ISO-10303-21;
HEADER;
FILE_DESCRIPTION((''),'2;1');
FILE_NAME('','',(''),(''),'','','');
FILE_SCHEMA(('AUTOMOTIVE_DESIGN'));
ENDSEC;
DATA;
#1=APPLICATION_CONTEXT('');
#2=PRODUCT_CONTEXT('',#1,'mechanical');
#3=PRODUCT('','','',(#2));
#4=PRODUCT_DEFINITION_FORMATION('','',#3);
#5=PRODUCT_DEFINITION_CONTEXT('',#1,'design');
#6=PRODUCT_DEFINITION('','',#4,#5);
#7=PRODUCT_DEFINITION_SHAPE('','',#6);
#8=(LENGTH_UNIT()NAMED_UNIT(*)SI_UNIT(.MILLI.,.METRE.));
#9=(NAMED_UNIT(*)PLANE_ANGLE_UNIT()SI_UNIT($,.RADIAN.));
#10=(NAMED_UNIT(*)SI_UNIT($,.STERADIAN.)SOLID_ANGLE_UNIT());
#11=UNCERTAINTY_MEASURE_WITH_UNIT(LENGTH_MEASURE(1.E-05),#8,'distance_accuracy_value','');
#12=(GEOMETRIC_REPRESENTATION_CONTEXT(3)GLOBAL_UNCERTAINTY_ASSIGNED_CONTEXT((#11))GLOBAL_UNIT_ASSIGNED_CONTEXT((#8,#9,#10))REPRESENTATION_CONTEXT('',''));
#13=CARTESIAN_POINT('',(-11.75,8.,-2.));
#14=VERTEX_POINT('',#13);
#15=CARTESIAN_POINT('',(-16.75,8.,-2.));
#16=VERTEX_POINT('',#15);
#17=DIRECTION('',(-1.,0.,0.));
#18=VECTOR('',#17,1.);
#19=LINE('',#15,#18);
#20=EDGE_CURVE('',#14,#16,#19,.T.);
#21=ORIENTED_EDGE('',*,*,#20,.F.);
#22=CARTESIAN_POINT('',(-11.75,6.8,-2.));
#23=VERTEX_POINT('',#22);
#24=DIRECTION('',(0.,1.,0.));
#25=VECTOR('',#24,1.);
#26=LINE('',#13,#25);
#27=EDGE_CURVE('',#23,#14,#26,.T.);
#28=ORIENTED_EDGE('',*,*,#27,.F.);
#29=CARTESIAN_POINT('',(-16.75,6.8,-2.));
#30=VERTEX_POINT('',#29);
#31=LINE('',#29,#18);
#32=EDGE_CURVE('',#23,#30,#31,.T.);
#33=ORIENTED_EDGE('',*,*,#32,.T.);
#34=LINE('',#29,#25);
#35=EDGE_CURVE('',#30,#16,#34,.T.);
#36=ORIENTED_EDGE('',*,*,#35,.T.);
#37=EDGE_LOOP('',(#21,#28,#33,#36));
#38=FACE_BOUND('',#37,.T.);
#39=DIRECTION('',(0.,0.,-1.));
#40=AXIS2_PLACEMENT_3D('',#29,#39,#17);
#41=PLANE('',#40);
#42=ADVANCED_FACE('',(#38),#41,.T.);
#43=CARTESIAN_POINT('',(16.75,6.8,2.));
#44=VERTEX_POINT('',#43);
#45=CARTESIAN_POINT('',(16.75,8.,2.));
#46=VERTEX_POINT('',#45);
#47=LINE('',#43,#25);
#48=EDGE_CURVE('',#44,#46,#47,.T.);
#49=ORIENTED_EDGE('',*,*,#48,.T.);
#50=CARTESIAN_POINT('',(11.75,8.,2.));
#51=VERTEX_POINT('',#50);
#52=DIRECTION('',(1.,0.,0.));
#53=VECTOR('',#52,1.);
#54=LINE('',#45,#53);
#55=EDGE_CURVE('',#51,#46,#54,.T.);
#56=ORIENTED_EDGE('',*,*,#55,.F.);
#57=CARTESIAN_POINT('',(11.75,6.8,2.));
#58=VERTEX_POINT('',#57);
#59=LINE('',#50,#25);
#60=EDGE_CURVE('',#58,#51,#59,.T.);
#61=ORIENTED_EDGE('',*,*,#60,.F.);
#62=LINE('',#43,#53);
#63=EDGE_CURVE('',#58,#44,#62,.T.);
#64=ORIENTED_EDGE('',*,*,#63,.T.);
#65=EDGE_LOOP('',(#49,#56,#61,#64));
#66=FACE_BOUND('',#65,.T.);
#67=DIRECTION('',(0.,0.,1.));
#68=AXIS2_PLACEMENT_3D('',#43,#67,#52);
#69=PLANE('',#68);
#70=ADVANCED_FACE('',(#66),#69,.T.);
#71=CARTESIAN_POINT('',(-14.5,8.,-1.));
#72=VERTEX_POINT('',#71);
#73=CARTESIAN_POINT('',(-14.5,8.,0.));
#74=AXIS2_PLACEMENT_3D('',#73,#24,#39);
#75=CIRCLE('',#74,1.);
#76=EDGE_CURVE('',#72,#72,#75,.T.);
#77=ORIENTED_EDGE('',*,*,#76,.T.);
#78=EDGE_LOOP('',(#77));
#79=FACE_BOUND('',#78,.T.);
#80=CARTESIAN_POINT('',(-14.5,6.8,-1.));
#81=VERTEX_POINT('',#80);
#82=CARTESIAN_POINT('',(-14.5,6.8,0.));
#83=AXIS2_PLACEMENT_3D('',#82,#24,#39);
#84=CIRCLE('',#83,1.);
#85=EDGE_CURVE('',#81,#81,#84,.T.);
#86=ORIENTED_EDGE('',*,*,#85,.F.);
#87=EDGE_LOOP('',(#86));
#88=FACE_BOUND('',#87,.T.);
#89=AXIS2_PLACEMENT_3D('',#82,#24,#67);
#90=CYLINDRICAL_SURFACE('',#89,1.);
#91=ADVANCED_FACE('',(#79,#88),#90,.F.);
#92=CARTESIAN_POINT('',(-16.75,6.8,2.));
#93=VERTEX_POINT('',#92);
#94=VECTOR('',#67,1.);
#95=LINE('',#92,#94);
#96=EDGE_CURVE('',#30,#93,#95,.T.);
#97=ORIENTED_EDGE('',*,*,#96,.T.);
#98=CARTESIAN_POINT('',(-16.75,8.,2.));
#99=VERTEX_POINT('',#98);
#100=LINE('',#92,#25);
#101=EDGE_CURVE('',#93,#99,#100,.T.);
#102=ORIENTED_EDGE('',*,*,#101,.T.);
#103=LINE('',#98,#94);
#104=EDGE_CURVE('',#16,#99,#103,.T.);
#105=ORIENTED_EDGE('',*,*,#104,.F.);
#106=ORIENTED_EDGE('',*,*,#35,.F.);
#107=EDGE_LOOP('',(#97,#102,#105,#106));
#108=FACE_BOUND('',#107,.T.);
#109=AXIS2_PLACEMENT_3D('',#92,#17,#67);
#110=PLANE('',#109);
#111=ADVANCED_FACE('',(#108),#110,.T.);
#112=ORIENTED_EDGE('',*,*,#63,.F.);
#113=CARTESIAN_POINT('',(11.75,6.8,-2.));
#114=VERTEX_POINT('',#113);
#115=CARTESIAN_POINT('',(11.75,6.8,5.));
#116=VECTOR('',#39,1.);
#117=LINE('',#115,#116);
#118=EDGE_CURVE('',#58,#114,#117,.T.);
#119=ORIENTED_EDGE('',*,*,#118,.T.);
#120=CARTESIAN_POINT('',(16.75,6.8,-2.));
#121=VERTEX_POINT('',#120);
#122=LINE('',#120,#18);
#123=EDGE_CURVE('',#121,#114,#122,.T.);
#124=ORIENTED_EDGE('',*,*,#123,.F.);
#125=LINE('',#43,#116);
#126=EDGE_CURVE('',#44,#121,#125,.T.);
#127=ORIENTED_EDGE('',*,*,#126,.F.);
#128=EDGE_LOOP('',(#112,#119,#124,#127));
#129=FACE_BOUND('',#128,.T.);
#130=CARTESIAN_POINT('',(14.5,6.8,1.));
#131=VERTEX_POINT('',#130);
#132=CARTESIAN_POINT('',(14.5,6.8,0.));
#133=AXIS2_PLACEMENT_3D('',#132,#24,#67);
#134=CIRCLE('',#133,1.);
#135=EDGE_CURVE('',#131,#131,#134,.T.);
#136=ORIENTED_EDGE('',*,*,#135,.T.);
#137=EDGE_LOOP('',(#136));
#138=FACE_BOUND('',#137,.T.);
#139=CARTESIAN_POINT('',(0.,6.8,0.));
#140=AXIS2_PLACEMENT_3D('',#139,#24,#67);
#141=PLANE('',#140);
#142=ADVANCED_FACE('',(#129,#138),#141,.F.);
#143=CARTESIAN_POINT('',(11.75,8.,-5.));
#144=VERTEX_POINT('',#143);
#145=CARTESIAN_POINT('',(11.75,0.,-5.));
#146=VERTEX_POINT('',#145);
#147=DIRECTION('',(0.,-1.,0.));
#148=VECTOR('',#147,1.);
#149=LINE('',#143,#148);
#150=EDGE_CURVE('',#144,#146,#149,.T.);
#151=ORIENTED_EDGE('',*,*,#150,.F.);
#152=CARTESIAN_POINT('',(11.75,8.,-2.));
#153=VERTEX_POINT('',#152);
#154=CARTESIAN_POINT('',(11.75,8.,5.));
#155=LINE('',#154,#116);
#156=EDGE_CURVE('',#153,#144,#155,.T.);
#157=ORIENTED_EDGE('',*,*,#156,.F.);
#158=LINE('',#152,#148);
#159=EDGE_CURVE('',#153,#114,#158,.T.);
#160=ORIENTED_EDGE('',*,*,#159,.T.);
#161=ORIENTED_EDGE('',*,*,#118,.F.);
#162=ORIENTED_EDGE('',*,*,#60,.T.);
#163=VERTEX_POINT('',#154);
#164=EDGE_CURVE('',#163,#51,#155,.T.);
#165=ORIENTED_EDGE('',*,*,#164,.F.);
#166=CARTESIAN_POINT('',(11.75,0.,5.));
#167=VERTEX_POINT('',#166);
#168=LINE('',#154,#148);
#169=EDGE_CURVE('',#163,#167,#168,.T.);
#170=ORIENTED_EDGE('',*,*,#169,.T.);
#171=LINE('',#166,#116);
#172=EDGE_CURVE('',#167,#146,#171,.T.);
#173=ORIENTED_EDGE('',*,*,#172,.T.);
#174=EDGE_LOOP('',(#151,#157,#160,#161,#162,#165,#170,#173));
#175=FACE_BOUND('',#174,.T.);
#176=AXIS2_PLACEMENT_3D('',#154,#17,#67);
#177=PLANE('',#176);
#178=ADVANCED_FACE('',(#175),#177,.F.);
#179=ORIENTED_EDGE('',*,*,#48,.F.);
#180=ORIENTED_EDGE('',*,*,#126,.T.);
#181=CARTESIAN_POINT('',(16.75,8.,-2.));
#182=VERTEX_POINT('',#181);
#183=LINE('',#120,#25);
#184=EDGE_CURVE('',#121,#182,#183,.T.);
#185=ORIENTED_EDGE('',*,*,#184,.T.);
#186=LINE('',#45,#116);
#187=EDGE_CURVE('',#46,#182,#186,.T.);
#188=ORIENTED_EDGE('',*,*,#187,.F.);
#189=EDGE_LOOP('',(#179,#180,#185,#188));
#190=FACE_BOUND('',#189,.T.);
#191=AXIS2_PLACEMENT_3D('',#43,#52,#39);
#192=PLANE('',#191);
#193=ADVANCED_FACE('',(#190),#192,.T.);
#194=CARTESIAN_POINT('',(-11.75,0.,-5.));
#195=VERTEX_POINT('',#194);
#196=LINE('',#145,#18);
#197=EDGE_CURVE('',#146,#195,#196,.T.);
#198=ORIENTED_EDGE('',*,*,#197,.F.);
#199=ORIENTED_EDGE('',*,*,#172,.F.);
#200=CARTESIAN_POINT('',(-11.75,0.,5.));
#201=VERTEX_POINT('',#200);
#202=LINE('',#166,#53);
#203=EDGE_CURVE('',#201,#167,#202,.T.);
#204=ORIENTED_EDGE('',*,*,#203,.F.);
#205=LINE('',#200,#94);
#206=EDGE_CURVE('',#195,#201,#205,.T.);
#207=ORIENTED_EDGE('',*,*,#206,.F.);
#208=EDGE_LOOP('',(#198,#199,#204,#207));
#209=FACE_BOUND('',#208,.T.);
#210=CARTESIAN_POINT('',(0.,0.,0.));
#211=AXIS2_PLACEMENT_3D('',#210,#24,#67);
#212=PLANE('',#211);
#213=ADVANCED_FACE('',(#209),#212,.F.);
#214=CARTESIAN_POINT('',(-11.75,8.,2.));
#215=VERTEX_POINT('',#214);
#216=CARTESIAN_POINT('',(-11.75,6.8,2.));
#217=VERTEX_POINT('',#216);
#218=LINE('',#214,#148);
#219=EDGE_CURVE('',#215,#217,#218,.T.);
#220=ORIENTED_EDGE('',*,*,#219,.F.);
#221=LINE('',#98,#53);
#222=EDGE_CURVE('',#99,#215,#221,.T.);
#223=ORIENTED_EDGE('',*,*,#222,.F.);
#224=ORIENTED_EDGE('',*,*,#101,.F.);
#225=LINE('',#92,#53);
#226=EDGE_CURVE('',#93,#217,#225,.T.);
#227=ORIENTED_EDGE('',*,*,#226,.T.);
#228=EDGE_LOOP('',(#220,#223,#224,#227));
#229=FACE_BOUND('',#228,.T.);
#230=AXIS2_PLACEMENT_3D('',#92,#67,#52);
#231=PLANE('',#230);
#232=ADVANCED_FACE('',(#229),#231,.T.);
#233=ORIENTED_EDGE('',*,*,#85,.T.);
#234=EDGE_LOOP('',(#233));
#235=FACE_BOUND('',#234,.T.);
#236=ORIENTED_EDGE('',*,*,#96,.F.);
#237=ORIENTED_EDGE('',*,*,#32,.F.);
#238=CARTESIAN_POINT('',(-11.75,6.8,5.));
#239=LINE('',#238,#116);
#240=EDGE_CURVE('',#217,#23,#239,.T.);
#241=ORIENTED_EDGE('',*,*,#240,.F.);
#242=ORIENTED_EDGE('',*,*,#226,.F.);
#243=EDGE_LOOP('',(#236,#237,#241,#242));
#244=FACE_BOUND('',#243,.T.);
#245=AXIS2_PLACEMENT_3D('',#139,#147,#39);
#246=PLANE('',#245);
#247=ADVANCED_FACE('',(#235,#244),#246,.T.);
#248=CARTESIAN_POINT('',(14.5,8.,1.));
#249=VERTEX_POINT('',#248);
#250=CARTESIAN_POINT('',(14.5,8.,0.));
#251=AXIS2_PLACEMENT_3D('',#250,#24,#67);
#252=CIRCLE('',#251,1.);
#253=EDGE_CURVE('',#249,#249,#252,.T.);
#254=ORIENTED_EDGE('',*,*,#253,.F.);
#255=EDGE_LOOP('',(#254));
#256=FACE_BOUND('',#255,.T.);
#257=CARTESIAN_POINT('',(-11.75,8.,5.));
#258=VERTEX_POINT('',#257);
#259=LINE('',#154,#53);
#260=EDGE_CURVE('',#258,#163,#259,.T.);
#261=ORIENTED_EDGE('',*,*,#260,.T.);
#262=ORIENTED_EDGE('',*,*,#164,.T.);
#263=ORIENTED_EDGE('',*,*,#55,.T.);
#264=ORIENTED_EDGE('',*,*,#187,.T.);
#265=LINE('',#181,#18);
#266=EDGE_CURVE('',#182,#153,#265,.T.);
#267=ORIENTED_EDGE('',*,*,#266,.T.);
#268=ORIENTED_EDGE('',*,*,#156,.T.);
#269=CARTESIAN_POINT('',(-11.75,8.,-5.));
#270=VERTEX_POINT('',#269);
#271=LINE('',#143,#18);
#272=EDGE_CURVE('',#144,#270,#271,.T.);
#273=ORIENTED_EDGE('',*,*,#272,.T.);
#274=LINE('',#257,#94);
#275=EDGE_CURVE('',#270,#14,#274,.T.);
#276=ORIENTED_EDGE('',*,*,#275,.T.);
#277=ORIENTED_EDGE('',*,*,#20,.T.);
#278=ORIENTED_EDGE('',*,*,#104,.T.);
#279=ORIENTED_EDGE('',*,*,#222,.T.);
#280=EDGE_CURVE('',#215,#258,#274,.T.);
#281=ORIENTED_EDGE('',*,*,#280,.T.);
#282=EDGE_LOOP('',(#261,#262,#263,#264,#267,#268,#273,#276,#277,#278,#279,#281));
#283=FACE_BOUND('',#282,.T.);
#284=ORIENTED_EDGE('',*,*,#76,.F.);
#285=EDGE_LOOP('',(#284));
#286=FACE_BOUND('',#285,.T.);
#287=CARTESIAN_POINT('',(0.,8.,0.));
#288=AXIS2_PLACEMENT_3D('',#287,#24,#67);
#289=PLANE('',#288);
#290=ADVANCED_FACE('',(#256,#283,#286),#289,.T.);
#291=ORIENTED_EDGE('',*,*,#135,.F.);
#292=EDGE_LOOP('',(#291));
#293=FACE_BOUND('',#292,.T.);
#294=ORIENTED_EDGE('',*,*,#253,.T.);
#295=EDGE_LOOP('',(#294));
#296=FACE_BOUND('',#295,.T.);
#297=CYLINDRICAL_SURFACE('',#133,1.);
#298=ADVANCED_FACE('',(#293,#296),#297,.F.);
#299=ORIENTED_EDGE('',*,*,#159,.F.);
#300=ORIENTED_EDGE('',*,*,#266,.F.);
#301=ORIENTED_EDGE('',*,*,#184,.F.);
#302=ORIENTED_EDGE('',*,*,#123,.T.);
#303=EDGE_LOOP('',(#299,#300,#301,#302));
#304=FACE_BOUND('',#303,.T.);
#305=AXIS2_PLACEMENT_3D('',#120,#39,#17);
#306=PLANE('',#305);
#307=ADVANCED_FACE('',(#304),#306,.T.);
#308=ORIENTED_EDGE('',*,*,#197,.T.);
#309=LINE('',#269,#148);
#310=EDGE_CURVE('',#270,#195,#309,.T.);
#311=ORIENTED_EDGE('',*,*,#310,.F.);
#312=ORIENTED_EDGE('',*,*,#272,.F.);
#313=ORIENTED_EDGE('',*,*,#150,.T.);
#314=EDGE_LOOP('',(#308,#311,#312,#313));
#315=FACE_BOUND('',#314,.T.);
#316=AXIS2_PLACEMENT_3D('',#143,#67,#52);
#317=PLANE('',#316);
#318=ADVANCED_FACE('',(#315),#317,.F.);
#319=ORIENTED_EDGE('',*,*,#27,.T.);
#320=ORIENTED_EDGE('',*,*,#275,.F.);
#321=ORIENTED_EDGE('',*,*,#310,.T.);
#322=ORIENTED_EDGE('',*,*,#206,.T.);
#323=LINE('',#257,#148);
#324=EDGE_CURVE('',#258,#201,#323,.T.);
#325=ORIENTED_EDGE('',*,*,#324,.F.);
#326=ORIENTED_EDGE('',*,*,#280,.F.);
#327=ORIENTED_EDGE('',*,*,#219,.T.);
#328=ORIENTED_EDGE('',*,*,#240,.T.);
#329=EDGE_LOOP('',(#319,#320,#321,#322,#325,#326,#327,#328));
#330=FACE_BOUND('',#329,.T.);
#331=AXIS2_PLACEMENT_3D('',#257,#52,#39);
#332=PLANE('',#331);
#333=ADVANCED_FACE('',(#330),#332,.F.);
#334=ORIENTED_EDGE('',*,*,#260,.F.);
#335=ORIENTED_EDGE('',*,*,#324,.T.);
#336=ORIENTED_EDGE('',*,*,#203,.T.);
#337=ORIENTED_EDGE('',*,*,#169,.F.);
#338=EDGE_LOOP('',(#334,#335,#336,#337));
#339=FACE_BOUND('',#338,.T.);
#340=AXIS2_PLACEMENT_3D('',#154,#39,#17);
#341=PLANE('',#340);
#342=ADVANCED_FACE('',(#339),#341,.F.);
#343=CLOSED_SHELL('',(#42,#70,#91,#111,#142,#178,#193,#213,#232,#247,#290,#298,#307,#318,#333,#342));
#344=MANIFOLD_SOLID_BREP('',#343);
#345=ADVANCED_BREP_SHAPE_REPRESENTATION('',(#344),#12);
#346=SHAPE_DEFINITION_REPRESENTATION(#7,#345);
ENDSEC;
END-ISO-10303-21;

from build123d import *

# Parameters (mm, degrees)
SKETCH1_W           = 23.5
SKETCH1_H           = 10
BOSS_EXTRUDE1_DEPTH = 8
SKETCH2_W           = 10
SKETCH2_H           = 4
SKETCH2_R           = 1
BOSS_EXTRUDE2_DEPTH = 1.2


with BuildPart() as part:
    # Sketch1 → Boss-Extrude1 (new body)
    with BuildSketch(Plane(origin=(0, 0, 0), x_dir=(1, 0, 0), z_dir=(0, 1, 0))):
        Rectangle(SKETCH1_W, SKETCH1_H)
    extrude(amount=BOSS_EXTRUDE1_DEPTH)

    # Sketch2 → Boss-Extrude2 (add)
    with BuildSketch(Plane(origin=(0, 8, 0), x_dir=(1, 0, 0), z_dir=(0, 1, 0))):
        with Locations((11.75, 0)):
            Rectangle(SKETCH2_W, SKETCH2_H)
        with Locations((14.5, 0)):
            Circle(SKETCH2_R, mode=Mode.SUBTRACT)
        with Locations((-11.75, 0)):
            Rectangle(SKETCH2_W, SKETCH2_H)
        with Locations((-14.5, 0)):
            Circle(SKETCH2_R, mode=Mode.SUBTRACT)
    extrude(amount=-BOSS_EXTRUDE2_DEPTH)


solid = part.part
